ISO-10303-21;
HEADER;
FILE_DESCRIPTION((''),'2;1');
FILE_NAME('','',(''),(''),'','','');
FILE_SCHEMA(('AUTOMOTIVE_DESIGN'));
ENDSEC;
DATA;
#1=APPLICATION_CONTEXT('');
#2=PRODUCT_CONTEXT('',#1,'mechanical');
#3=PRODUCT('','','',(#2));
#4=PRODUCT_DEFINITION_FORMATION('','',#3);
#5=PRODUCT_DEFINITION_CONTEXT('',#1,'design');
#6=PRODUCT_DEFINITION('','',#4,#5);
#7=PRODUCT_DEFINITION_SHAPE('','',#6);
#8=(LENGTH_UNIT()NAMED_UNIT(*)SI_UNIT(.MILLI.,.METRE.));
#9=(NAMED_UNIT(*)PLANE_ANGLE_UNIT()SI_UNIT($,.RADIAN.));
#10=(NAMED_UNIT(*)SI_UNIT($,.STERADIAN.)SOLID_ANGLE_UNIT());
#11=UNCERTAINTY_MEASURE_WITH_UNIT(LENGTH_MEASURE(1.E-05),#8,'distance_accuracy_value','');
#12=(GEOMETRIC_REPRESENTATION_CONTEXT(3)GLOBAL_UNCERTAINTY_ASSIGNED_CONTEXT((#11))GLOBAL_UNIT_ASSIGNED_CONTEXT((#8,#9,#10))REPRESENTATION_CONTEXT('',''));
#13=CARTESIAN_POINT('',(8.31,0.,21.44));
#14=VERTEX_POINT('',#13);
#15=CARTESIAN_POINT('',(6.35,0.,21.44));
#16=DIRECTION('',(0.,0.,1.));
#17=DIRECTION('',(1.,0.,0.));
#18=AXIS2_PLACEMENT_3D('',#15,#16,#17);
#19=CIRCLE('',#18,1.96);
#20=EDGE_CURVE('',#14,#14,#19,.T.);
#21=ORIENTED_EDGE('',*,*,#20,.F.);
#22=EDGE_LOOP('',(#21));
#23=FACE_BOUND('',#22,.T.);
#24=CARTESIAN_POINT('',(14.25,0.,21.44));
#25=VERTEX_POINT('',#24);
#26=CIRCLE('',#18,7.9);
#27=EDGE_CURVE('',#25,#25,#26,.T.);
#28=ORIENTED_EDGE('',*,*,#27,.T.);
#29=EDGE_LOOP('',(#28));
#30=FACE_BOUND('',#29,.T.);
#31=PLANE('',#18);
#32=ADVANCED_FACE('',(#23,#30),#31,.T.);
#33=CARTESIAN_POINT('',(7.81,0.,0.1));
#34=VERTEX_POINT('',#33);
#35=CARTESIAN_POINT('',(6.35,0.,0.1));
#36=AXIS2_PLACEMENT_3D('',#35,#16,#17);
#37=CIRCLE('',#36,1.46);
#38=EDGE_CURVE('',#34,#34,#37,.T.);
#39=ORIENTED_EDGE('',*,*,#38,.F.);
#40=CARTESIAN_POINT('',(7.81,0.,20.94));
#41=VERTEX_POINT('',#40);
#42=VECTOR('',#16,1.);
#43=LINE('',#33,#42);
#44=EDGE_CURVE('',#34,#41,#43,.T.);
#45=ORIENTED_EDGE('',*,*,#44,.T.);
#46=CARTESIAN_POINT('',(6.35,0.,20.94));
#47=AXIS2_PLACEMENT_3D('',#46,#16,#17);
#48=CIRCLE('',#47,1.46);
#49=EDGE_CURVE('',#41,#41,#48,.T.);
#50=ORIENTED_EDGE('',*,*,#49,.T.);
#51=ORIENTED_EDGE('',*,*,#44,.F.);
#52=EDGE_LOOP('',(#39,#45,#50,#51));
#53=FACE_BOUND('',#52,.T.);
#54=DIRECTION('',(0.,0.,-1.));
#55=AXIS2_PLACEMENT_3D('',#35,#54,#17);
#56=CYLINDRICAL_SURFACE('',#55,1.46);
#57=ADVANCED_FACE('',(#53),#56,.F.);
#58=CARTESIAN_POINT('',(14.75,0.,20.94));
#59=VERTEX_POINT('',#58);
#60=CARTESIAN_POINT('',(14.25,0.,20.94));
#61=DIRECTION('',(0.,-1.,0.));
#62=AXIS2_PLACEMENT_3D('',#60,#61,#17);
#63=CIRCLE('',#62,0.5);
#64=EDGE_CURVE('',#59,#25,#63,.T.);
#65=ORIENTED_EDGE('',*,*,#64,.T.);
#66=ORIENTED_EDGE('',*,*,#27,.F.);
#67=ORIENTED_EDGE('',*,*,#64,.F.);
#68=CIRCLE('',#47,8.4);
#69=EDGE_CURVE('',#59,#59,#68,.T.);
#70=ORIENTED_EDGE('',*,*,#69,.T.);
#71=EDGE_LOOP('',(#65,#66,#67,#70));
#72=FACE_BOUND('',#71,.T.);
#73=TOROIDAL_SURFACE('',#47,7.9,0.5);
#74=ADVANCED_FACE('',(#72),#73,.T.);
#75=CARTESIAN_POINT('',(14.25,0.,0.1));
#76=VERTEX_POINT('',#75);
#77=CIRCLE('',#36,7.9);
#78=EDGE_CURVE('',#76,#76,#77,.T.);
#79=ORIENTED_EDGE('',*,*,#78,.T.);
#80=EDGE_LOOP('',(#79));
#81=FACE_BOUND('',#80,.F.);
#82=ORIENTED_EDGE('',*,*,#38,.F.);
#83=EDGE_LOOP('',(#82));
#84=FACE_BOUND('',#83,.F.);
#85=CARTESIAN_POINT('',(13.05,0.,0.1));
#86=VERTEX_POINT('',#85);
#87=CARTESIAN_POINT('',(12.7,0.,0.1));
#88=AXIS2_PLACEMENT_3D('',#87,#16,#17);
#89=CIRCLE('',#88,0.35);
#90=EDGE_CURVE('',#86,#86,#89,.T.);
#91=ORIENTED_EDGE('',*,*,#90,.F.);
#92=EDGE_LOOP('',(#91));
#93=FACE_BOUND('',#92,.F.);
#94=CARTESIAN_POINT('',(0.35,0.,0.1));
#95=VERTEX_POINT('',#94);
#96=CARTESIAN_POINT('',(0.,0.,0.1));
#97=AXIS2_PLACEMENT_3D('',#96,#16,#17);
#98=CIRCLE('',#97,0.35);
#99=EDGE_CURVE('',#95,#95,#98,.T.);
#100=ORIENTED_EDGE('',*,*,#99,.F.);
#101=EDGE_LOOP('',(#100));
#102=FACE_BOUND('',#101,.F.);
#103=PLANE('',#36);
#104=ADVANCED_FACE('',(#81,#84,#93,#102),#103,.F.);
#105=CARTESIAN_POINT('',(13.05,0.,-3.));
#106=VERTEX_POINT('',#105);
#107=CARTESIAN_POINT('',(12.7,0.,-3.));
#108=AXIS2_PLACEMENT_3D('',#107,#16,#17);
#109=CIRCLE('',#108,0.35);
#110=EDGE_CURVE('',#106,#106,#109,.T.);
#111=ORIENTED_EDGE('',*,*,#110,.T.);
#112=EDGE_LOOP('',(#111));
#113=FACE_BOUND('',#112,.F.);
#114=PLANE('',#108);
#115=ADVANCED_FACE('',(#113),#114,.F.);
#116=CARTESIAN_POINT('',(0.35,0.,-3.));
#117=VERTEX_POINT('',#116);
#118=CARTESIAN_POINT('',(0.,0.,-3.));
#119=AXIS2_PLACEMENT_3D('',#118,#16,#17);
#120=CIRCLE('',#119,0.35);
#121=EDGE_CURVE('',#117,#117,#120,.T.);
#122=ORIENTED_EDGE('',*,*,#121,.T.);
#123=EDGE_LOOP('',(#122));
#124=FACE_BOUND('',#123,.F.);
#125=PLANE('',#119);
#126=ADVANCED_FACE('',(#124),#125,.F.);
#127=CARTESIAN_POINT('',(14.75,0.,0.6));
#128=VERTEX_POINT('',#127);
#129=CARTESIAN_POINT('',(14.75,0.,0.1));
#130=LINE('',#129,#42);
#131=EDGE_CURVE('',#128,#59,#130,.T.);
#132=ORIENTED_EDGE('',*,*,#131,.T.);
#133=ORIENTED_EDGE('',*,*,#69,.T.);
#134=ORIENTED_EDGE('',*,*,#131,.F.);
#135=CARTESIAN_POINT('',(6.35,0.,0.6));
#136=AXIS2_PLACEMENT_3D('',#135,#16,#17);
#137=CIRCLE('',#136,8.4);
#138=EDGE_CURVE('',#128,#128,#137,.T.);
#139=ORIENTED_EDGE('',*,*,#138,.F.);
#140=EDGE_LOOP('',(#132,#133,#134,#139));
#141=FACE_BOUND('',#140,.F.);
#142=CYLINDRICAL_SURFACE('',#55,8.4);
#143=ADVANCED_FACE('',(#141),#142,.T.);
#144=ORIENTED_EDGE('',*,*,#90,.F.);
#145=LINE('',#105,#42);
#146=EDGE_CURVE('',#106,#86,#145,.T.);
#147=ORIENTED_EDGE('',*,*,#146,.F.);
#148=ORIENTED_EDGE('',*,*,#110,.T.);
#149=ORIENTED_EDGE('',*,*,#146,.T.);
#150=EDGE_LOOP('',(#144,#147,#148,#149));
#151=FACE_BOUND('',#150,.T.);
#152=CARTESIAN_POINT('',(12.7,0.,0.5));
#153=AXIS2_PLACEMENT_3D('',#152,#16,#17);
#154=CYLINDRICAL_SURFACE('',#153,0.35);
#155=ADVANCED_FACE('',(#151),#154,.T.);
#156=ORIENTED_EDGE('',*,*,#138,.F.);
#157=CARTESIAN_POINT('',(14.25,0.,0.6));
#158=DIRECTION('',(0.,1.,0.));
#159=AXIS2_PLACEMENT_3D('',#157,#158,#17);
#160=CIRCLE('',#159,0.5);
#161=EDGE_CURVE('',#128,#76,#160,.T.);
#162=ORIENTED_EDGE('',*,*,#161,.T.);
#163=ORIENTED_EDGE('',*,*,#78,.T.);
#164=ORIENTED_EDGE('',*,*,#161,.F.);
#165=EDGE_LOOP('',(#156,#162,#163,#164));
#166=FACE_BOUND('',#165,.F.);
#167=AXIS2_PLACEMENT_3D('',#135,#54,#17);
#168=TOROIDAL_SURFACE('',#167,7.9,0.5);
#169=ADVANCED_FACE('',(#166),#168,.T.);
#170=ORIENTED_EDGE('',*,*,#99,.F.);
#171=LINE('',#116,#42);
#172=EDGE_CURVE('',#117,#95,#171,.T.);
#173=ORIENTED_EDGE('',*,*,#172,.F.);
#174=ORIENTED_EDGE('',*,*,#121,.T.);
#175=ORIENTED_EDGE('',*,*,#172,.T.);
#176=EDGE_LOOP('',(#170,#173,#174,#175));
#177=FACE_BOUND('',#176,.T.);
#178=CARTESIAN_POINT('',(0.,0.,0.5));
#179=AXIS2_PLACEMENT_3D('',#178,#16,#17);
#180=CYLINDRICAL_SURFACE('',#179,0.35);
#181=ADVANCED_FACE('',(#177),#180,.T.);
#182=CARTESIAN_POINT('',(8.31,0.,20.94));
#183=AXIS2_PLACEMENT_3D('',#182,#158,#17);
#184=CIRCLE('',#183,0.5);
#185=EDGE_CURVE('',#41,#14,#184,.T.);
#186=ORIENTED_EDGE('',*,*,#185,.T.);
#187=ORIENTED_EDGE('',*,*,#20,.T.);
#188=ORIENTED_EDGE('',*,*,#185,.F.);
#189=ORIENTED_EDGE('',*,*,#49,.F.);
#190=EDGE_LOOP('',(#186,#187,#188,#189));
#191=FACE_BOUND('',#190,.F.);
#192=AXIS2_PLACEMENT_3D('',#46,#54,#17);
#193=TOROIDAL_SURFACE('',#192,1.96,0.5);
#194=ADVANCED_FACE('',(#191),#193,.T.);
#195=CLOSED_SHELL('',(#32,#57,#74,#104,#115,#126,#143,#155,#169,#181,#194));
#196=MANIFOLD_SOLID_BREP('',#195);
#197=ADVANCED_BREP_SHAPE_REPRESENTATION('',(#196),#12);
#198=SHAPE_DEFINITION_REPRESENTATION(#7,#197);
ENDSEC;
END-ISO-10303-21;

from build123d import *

# Parameters (mm, degrees)
SKETCH_R          = 8.4
SKETCH_R_2        = 1.46
PAD_DEPTH         = 21.34
FILLET_R          = 0.5
SKETCH001_R       = 0.35
PAD001_DEPTH      = 10.67
PAD001_DEPTH_BACK = 3.5


with BuildPart() as fillet_body:
    # Sketch → Pad (new body)
    with BuildSketch(Plane.XY.offset(0.1)):
        with Locations((6.35, 0)):
            Circle(SKETCH_R)
        with Locations((6.35, 0)):
            Circle(SKETCH_R_2, mode=Mode.SUBTRACT)
    extrude(amount=PAD_DEPTH)

    # Fillet
    fillet_edges = [fillet_body.edges().sort_by_distance(p)[0] for p in [
        (4.89, 0, 21.44),
        (-2.05, 0, 21.44),
        (-2.05, 0, 0.1),
    ]]
    fillet(fillet_edges, radius=FILLET_R)


with BuildPart() as pad001_mp_cp:
    # Sketch001 → Pad001 (new body, two sides)
    with BuildSketch(Plane.XY.offset(0.5)) as pad001_sk:
        Circle(SKETCH001_R)
        with Locations((12.7, 0)):
            Circle(SKETCH001_R)
    extrude(amount=PAD001_DEPTH)
    extrude(pad001_sk.sketch, amount=-PAD001_DEPTH_BACK)

    # Pad001_mp_cp: union Fillet body
    add(fillet_body.part)


solid = pad001_mp_cp.part
